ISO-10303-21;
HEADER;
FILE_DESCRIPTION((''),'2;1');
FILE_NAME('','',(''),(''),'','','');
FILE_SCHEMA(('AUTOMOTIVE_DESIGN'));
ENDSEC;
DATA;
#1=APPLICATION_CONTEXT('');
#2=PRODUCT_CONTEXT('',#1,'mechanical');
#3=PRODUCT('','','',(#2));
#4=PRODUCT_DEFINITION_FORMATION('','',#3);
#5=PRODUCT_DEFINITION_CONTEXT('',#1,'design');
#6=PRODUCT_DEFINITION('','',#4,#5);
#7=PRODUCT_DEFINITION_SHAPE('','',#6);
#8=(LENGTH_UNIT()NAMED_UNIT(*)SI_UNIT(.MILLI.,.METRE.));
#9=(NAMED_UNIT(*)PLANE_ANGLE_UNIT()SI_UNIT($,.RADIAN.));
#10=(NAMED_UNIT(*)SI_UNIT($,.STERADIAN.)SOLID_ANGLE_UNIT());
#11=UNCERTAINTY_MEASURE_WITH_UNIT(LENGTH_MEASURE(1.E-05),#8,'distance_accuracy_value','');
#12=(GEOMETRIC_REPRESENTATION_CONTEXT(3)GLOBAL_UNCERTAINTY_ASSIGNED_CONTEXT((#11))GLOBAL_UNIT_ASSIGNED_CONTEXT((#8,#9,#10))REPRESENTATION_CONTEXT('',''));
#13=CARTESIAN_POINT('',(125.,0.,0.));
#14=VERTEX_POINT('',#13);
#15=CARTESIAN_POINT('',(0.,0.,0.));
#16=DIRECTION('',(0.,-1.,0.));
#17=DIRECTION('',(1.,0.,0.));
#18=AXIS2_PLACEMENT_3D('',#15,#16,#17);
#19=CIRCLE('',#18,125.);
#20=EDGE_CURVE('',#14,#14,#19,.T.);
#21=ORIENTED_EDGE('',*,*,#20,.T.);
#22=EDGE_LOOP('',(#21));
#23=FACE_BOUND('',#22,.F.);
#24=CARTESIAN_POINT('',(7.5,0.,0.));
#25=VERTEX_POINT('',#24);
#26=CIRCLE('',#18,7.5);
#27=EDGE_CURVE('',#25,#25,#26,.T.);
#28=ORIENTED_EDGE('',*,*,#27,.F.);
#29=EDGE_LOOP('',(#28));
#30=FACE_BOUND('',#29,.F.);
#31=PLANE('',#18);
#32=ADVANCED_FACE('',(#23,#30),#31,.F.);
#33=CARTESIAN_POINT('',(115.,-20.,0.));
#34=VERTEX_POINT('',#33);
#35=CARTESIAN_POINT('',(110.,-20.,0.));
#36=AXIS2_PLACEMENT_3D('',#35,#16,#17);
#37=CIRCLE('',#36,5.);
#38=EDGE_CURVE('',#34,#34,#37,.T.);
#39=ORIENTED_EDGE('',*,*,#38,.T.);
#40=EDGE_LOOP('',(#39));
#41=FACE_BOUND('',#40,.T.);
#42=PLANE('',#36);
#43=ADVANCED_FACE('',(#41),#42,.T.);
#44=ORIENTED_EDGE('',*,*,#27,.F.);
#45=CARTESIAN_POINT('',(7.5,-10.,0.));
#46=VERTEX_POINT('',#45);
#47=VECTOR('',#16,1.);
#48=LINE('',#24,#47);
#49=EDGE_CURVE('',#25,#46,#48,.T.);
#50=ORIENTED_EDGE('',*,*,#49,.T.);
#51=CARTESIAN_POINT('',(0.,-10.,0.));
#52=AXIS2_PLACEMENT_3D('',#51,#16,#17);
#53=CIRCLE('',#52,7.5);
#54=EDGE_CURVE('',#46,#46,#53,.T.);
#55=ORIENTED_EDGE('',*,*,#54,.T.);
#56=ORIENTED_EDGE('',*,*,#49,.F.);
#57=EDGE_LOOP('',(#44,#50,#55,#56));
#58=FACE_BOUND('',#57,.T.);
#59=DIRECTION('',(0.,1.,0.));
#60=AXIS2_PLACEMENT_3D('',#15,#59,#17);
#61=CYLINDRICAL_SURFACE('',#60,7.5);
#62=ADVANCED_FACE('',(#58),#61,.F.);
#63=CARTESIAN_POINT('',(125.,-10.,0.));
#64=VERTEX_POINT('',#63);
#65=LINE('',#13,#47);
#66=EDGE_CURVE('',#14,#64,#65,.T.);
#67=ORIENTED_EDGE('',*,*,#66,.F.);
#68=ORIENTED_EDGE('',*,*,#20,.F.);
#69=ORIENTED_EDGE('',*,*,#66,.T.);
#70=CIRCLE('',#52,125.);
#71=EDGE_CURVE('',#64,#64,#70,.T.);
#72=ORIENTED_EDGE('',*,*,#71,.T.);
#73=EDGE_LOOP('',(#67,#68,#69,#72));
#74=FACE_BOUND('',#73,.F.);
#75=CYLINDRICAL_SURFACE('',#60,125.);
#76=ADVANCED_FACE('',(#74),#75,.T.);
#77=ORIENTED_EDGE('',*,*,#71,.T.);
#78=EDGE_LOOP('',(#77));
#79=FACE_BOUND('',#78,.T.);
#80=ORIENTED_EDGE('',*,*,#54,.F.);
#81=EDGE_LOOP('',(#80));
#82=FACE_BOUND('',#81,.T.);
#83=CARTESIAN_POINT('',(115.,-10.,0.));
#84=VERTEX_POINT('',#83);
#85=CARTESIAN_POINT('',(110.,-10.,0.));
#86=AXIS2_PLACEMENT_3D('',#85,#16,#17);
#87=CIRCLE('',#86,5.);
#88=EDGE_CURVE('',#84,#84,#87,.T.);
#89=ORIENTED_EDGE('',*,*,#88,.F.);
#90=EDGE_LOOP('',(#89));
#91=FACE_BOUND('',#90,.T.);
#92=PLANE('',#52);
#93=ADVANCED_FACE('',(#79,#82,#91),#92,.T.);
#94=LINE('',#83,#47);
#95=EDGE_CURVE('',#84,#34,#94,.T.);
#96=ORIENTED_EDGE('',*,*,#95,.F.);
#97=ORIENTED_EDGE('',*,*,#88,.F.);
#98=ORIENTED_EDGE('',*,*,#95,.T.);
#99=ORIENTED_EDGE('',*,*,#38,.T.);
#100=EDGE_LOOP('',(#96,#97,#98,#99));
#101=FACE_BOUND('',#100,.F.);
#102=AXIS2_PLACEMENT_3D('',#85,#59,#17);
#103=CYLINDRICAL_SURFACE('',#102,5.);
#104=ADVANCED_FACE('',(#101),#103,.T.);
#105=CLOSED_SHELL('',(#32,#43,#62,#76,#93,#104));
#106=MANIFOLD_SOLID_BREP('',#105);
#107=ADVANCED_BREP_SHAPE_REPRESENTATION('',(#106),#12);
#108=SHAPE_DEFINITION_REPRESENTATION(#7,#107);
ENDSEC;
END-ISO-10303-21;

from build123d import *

# Parameters (mm, degrees)
F0_R     = 125
F0_R_2   = 7.5
F1_DEPTH = 10
F2_R     = 5
F3_DEPTH = 10


with BuildPart() as f1:
    # F0 (on Front) → F1 (new body)
    with BuildSketch(Plane.XZ):
        Circle(F0_R)
        Circle(F0_R_2, mode=Mode.SUBTRACT)
    extrude(amount=F1_DEPTH)

    # F2 (on face) → F3 (join)
    with BuildSketch(Plane.XZ.offset(10)):
        with Locations((110, 0)):
            Circle(F2_R)
    extrude(amount=F3_DEPTH)


solid = f1.part
